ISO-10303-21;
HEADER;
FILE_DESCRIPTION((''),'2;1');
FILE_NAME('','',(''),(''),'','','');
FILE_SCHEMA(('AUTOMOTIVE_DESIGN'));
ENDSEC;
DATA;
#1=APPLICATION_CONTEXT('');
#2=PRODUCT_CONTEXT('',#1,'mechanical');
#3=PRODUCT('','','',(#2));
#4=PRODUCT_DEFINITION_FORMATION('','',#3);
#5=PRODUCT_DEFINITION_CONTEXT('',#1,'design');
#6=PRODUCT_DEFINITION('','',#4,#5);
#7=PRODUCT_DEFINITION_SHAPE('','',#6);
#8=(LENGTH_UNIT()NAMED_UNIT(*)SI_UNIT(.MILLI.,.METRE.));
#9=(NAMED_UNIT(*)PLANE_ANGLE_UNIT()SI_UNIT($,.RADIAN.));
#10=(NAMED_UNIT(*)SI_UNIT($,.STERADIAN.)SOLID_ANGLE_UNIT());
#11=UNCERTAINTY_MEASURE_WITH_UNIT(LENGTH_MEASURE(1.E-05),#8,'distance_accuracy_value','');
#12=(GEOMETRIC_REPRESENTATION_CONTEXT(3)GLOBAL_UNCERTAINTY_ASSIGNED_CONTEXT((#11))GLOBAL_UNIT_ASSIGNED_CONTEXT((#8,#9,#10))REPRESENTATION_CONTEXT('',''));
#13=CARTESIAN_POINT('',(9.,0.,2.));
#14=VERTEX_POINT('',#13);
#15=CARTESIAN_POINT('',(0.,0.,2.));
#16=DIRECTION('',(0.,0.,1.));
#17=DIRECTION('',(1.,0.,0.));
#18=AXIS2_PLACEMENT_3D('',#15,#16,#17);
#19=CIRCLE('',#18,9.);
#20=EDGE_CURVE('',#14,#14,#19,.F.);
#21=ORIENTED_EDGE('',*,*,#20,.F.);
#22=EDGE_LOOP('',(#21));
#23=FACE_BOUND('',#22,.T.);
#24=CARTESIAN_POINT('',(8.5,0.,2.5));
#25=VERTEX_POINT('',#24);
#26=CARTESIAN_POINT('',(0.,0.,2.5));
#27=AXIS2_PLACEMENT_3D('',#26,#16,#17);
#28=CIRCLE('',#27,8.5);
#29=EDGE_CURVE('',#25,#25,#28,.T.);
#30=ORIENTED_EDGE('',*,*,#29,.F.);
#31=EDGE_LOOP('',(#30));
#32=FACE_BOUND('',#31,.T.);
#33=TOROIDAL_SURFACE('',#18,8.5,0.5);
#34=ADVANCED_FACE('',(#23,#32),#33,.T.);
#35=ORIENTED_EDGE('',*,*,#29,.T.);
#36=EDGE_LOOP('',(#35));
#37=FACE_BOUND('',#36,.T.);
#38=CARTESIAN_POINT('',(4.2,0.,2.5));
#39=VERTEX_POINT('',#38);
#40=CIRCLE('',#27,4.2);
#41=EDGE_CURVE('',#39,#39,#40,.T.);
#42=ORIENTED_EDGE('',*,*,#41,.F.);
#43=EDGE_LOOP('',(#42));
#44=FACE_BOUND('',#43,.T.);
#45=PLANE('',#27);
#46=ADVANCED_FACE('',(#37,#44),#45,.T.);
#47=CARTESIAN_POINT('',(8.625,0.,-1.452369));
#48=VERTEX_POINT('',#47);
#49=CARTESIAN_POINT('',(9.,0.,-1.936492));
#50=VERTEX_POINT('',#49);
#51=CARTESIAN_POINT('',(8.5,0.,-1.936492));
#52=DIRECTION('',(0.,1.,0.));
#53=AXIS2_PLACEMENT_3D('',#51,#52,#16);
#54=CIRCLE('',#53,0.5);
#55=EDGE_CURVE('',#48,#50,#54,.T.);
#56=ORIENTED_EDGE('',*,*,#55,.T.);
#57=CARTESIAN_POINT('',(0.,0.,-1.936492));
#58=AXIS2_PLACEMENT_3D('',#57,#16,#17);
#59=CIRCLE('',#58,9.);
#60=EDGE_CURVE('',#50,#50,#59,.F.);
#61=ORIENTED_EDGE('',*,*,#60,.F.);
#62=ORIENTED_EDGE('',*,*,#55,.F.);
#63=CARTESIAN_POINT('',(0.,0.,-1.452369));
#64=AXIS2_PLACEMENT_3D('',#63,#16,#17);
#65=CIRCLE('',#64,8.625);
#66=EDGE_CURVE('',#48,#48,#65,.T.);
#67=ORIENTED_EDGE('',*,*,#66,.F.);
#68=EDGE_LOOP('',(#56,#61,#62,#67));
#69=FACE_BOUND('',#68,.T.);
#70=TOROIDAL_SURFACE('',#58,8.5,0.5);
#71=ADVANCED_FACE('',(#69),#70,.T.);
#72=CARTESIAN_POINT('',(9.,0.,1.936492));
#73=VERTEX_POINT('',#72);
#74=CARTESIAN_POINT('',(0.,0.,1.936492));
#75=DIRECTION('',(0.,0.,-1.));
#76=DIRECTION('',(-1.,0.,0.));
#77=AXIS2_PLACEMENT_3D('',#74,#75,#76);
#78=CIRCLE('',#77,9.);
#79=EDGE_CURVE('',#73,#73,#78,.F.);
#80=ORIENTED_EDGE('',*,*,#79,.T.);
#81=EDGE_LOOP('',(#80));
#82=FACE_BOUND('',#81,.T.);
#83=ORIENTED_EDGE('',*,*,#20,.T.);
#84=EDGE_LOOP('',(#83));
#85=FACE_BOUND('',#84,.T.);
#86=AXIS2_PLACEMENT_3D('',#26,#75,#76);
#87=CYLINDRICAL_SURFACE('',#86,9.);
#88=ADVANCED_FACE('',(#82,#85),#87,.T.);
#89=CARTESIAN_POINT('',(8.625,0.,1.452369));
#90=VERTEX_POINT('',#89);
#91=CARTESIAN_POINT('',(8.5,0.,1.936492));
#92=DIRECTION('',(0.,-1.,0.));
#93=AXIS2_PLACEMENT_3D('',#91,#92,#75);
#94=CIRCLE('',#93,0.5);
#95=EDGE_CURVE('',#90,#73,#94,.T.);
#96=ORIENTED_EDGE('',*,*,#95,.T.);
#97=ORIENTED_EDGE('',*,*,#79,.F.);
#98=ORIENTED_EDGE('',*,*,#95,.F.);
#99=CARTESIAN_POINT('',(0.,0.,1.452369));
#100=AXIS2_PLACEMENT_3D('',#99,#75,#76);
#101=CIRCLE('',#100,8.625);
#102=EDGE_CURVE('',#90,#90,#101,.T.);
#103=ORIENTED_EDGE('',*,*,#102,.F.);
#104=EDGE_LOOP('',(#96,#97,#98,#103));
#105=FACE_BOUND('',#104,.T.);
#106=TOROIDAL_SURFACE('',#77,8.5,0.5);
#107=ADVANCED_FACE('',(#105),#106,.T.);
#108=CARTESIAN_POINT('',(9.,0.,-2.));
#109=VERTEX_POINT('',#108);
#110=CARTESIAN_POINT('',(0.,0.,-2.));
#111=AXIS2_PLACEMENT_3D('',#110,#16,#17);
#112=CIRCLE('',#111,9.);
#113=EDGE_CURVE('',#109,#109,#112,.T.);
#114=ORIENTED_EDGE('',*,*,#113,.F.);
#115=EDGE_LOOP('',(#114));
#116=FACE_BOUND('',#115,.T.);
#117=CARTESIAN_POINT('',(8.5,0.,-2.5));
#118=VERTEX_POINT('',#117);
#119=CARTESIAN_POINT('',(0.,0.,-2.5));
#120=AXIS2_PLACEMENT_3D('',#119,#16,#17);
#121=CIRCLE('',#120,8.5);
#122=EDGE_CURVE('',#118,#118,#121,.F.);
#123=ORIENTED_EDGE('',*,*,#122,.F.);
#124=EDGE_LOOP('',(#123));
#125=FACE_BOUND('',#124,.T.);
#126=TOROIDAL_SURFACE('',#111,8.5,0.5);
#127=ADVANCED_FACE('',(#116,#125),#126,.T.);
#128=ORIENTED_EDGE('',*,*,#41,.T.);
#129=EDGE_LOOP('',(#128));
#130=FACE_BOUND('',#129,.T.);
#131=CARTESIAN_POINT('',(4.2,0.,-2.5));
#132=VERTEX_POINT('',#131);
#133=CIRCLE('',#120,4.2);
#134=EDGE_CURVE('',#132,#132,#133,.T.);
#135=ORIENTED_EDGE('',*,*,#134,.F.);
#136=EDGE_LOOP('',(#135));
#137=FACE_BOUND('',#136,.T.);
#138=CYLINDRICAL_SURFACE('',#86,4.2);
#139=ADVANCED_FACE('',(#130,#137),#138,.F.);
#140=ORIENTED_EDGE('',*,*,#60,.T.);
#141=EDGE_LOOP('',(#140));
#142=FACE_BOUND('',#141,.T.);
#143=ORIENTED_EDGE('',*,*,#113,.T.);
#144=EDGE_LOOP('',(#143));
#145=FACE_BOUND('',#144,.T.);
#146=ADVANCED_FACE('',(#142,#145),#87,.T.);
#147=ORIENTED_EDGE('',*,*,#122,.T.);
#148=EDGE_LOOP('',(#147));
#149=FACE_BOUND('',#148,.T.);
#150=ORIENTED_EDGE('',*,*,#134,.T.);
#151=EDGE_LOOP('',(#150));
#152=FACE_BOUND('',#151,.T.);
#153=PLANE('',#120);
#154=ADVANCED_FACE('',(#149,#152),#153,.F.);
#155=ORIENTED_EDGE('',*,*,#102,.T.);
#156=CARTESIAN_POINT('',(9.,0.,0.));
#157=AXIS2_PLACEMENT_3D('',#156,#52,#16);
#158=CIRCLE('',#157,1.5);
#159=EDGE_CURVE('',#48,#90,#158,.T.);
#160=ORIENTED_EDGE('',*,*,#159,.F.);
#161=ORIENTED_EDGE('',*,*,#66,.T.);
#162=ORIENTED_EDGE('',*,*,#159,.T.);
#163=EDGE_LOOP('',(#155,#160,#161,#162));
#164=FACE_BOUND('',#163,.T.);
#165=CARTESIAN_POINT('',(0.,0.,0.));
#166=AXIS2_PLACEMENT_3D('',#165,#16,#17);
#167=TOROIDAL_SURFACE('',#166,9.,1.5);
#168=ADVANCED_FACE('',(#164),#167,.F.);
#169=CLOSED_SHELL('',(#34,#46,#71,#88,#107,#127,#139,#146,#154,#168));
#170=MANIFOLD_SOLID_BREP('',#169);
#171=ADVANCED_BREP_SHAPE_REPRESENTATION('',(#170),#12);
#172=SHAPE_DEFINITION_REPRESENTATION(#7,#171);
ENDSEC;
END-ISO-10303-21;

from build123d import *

# Parameters (mm, degrees)
SKETCH_1_R      = 9
SKETCH_1_R_2    = 4.2
EXTRUDE_1_DEPTH = 2.5
SKETCH_3_R      = 1.5
FILLET_1_R      = 0.5
FILLET_2_R      = 0.5


with BuildPart() as part:
    # Эскиз1 → Бобышка-Вытянуть1 (new, symmetric)
    with BuildSketch(Plane.XY):
        Circle(SKETCH_1_R)
        Circle(SKETCH_1_R_2, mode=Mode.SUBTRACT)
    extrude(amount=EXTRUDE_1_DEPTH, both=True)

    # Вырез-По траектории1: sweep along a path in Эскиз4
    with BuildLine(Plane.XY) as sweep_1_path:
        CenterArc((0, 0), 9, 0, 360)
    # Эскиз3 → Вырез-По траектории1 (sweep, cut)
    with BuildSketch(Plane(origin=(0, 0, 0), x_dir=(1, 0, 0), z_dir=(0, 1, 0))):
        with Locations((9, 0)):
            Circle(SKETCH_3_R)
    sweep(path=sweep_1_path.line, mode=Mode.SUBTRACT)

    # Скругление1
    fillet_1_edges = [part.edges().sort_by_distance(p)[0] for p in [
        (-9, 0, -2.5),
        (-9, 0, 2.5),
    ]]
    fillet(fillet_1_edges, radius=FILLET_1_R)

    # Скругление2
    fillet_2_edges = [part.edges().sort_by_distance(p)[0] for p in [
        (-9, 0, 1.5),
        (-9, 0, -1.5),
    ]]
    fillet(fillet_2_edges, radius=FILLET_2_R)


solid = part.part
